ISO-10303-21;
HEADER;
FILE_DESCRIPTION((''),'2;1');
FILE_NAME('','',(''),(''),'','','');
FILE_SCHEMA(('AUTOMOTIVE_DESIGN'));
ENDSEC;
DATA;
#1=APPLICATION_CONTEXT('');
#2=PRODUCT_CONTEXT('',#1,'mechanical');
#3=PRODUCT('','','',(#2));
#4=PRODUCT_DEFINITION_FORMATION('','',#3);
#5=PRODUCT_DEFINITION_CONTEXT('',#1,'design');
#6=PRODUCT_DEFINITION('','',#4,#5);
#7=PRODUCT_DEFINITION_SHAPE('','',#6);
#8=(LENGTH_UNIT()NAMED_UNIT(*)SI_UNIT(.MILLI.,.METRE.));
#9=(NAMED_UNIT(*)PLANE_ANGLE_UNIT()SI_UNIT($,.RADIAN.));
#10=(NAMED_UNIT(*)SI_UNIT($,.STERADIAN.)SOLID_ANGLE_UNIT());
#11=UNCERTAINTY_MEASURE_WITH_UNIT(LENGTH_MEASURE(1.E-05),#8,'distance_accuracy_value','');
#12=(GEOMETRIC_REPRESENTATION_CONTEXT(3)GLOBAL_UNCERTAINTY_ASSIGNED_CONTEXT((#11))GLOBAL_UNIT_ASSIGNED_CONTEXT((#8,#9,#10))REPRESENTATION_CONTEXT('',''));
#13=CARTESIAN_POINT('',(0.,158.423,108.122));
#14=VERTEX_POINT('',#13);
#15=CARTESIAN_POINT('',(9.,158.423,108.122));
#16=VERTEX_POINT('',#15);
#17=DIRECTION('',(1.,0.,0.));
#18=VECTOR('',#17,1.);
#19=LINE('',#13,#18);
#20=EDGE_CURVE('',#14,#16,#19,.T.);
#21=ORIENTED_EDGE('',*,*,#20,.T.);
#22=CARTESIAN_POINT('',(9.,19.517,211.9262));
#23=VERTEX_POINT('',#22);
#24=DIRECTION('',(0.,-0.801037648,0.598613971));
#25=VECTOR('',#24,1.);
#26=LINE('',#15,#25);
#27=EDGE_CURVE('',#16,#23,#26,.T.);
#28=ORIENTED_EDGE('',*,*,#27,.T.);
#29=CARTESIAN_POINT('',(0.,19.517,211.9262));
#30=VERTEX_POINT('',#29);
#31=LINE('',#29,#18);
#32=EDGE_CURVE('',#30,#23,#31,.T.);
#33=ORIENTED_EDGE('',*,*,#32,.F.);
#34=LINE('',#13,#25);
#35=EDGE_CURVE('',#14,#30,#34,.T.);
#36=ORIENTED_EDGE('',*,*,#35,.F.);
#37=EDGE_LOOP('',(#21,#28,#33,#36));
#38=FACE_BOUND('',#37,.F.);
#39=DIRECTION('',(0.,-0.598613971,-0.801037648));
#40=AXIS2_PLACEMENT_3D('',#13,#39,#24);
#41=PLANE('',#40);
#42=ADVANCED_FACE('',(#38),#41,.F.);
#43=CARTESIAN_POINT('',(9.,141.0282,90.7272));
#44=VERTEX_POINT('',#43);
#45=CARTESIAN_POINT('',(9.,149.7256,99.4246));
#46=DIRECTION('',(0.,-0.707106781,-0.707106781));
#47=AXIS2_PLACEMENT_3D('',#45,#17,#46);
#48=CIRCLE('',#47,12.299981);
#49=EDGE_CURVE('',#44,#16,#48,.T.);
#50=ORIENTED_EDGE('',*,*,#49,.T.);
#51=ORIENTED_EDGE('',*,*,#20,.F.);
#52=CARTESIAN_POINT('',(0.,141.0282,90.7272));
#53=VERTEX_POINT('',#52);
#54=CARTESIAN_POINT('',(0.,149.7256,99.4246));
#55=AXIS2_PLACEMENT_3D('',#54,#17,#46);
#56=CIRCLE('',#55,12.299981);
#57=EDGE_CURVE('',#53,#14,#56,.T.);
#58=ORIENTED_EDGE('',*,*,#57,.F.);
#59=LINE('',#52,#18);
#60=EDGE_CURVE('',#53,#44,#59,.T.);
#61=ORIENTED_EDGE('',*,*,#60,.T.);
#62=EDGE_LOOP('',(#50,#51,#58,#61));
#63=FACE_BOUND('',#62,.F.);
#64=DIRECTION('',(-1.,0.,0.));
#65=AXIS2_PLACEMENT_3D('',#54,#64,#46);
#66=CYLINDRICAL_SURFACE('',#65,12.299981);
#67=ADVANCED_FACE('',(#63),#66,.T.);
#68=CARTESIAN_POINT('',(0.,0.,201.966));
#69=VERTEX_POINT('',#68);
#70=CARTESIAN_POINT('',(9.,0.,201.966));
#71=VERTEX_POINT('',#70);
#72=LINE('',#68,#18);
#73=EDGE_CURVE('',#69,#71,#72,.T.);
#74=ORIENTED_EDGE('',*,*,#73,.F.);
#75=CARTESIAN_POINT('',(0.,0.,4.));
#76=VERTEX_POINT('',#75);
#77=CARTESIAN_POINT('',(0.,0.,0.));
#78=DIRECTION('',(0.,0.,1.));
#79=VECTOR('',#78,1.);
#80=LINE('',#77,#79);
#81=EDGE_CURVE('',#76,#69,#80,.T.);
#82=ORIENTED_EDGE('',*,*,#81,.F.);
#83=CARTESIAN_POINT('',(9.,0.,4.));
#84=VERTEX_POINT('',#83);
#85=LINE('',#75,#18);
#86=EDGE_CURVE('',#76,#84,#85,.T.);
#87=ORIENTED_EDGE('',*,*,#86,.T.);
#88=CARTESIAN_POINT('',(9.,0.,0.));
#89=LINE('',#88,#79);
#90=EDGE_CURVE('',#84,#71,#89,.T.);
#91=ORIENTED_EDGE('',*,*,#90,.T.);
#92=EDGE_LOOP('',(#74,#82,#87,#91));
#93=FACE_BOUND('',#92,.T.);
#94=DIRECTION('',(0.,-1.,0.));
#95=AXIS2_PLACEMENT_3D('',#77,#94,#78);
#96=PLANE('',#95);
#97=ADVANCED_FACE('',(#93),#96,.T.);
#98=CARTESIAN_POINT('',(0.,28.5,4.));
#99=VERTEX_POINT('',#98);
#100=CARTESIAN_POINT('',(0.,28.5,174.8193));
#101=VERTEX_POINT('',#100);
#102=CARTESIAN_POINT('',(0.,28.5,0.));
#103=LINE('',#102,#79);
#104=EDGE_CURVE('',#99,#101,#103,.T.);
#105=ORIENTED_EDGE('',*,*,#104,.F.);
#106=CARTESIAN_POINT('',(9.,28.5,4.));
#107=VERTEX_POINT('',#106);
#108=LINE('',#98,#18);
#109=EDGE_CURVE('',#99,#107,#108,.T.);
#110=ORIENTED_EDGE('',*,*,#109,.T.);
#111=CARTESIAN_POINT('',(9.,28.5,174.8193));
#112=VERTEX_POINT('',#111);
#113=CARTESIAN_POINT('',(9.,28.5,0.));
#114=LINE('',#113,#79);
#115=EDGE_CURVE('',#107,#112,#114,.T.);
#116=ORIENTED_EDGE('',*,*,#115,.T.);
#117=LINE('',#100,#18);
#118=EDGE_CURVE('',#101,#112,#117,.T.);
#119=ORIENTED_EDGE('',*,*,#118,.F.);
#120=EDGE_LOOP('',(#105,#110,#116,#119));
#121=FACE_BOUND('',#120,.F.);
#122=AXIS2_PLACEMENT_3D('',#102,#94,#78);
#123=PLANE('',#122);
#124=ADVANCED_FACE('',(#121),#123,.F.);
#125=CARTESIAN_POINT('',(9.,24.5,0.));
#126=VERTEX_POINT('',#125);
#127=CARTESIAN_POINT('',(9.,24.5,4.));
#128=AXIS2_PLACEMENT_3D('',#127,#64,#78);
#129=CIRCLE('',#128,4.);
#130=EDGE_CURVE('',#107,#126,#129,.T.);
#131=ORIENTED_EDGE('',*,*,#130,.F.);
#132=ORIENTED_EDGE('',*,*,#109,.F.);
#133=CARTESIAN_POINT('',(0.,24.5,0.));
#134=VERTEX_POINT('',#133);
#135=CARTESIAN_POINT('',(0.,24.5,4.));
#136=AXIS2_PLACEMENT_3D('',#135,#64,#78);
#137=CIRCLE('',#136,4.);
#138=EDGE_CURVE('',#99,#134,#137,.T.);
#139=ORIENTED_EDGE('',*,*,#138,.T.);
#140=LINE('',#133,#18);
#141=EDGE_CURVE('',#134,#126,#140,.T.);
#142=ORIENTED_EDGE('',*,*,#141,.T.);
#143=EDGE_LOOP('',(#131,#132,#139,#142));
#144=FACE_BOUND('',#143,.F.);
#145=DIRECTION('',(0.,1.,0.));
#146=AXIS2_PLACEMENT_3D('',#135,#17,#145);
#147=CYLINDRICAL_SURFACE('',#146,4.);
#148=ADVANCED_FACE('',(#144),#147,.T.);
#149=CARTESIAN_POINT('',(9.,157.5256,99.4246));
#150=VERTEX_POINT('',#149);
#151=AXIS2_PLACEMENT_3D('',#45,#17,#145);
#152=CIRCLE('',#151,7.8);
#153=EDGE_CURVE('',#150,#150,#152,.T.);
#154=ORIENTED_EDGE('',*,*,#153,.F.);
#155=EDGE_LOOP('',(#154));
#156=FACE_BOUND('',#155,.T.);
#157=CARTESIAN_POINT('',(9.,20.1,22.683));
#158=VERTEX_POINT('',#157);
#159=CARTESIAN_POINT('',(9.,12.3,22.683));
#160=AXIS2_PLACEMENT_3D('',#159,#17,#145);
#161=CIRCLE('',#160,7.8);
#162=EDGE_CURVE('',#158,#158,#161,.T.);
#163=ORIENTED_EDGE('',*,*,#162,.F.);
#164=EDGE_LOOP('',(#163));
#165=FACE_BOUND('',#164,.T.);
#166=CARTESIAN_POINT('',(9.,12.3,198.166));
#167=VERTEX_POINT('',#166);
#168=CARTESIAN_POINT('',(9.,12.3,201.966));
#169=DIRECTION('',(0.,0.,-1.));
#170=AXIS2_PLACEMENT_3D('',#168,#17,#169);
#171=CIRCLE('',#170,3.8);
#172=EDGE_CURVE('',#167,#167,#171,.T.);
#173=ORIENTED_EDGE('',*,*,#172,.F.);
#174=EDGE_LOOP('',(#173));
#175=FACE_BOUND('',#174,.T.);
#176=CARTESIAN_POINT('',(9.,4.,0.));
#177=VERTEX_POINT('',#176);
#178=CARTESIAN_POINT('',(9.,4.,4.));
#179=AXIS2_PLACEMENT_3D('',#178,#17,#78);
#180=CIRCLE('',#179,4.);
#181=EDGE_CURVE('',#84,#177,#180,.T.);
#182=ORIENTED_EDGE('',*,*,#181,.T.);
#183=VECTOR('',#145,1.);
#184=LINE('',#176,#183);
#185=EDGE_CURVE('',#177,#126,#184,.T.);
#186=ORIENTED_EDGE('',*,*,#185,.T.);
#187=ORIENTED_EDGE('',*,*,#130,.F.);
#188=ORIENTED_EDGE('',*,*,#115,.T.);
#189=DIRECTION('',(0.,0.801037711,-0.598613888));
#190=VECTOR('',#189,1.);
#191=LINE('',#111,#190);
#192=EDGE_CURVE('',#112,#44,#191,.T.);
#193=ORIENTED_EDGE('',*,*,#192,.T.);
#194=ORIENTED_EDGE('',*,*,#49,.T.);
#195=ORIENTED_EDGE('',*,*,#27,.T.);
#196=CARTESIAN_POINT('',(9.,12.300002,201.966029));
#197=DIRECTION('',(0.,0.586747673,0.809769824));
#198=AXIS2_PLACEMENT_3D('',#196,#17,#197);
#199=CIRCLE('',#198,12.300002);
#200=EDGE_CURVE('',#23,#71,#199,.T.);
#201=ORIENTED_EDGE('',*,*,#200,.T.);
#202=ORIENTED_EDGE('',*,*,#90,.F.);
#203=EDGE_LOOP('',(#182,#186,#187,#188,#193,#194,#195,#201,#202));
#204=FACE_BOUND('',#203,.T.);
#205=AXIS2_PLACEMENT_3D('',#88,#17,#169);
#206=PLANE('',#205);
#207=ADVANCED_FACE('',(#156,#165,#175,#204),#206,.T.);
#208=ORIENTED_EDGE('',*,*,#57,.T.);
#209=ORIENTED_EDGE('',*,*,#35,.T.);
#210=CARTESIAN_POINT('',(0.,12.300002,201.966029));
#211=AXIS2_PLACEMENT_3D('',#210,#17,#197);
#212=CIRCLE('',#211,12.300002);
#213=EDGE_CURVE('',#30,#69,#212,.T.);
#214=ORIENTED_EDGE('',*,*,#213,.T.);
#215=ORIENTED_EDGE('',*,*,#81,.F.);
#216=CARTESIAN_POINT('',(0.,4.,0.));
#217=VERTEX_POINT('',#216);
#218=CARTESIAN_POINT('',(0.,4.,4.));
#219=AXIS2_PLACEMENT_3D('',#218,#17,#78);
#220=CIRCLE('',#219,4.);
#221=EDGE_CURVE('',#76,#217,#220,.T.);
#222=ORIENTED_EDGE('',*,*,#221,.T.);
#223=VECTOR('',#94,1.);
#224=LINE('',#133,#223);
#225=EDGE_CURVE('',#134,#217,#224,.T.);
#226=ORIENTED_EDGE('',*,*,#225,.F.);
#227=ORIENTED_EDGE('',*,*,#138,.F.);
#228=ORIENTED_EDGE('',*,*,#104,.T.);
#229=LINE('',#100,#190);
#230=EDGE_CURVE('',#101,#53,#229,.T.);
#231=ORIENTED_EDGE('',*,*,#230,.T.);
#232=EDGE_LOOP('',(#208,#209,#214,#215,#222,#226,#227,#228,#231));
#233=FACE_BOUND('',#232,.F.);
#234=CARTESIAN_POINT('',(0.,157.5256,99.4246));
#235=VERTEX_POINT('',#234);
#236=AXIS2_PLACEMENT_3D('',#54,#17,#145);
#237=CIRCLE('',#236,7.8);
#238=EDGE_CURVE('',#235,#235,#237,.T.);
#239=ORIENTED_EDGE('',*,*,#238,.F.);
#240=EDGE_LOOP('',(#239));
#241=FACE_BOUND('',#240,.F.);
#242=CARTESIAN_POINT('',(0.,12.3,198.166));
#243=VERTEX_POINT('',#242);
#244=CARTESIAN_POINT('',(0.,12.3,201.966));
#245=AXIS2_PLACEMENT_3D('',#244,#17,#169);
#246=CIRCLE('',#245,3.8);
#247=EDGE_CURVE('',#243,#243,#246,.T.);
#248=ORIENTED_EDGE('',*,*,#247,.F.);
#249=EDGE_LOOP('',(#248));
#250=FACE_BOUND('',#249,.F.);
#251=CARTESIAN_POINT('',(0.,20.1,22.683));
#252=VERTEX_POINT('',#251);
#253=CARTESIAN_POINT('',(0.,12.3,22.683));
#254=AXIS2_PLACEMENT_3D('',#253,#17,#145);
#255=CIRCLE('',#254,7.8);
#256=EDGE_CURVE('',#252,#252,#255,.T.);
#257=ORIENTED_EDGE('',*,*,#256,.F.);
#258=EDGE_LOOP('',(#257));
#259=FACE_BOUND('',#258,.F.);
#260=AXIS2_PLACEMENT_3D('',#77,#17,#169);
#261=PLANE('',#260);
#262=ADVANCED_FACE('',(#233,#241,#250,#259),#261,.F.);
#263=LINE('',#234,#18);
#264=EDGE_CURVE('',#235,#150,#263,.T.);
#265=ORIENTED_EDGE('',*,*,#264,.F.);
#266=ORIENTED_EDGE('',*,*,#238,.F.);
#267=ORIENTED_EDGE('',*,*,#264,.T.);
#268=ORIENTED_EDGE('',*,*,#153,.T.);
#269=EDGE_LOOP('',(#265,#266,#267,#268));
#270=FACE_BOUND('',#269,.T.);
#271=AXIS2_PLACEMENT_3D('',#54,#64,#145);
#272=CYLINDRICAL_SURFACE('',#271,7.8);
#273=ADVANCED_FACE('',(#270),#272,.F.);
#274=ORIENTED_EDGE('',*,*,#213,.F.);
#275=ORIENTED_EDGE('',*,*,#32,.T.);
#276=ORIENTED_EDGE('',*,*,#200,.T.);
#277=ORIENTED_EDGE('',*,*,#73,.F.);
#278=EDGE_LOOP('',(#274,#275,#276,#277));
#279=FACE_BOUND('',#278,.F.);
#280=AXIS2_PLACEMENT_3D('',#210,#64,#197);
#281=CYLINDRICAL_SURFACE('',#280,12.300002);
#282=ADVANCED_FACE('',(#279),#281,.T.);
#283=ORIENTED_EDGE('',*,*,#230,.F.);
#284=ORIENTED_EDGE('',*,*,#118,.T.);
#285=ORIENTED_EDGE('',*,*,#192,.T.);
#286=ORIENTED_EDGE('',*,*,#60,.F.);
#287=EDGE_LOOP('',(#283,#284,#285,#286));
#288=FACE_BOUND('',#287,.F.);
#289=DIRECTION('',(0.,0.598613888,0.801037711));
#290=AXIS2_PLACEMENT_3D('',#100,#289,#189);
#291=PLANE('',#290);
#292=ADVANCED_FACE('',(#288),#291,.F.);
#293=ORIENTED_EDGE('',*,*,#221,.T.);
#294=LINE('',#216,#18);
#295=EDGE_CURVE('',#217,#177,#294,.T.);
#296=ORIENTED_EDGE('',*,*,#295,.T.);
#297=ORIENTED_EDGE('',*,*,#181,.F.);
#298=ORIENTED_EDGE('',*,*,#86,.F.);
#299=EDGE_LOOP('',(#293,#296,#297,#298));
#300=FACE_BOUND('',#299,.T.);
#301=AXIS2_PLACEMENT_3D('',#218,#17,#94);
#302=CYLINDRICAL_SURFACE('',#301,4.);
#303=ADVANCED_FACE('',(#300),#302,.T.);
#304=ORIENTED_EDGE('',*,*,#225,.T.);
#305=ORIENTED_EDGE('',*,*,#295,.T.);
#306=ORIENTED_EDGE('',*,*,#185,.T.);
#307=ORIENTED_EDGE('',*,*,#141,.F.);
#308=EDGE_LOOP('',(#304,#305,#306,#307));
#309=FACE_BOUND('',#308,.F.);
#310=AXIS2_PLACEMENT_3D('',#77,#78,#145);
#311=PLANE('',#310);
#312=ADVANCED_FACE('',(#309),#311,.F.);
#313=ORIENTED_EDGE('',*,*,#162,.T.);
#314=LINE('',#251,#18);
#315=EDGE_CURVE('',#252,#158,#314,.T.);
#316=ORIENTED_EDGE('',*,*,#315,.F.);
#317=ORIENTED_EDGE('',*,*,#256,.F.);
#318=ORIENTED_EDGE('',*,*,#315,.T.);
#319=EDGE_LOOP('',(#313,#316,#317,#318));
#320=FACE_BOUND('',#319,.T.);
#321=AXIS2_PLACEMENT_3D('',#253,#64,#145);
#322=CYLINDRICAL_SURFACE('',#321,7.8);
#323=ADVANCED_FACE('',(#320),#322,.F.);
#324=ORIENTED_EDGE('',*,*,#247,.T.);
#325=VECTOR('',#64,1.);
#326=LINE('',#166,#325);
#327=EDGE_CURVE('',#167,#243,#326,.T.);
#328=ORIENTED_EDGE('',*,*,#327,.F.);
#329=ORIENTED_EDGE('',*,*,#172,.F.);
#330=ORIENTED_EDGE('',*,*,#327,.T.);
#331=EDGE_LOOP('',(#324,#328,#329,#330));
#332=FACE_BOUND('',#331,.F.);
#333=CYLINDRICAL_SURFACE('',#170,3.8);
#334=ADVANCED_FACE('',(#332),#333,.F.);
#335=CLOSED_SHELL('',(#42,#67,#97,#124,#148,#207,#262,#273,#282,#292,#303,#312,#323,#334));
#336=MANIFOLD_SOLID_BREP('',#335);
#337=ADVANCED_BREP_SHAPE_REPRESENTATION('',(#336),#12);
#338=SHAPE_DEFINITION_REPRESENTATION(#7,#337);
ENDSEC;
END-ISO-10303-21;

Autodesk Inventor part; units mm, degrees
ref_plane "YZ Plane" through (0, 0, 0) normal (1, 0, 0) x (0, 1, 0)
ref_plane "XZ Plane" through (0, 0, 0) normal (0, 1, 0) x (-1, 0, 0)
ref_plane "XY Plane" through (0, 0, 0) normal (0, 0, 1) x (1, 0, 0)
sketch "Sketch1" plane through (0, 0, 0) normal (1, 0, 0) x (0, 1, 0)
  line L0 (0, 0) -> (0, 201.966)
  circle A0 centre (12.3, 22.683) radius 7.8
  line L1 (0, 0) -> (16.4683, 0)
  circle A1 centre (12.3, 201.966) radius 7.8
  line L2 (0, 0) -> (28.5, 0)
  line L3 (28.5, 0) -> (28.5, 174.8193)
  line L4 (12.3, 22.683) -> (149.7256, 99.4246) construction
  circle A2 centre (149.7256, 99.4246) radius 7.8
  line L5 (28.5, 174.8193) -> (141.0282, 90.7272)
  arc A3 (141.0282, 90.7272) -> (158.423, 108.122) centre (149.7256, 99.4246) ccw
  line L6 (149.7256, 99.4246) -> (158.423, 108.122) construction
  line L7 (149.7256, 99.4246) -> (141.0282, 90.7272) construction
  line L8 (158.423, 108.122) -> (19.517, 211.9262)
  arc A4 (19.517, 211.9262) -> (0, 201.966) centre (12.3, 201.966) ccw
  dimension "d0" = 201.966
  dimension "d1" = 22.683
  dimension "d2" = 12.3
  dimension "d5" = 28.5
  dimension "d6" = 157.401
  dimension "d7" = 119.18
  dimension "d8" = 15.6
  dimension "d10" = 180
  dimension "d11" = 12.3
  dimension "d12" = 12.3
  dimension "d13" = 9.9602
extrude "Extrusion1" add sketch "Sketch1" along normal blind 9
fillet "Fillet1" radius 4 2 edges at (4.5, 28.5, 0) (4.5, 0, 0)
sketch "Sketch2" plane through (9, 0, 0) normal (1, 0, 0) x (0, 0, -1)
  circle A0 centre (-201.966, 12.3) radius 7.8 projected
  circle A1 centre (-201.966, 12.3) radius 3.8
  point P0 (0, 0)
  dimension "d17" = 15.6
  dimension "d18" = 7.6
extrude "Extrusion2" add sketch "Sketch2" against normal blind 9
equation "\"d2\" = altura_hoyo"
equation "\"d6\" = d_entre_ejes"
equation "\"d12\" = d11"
equation "\"altura_hoyo\" = 12.3"
equation "\"d_entre_ejes\" = 157.401"
properties part number "Marco_trasero_triciclo" material "Aluminum 6061"
